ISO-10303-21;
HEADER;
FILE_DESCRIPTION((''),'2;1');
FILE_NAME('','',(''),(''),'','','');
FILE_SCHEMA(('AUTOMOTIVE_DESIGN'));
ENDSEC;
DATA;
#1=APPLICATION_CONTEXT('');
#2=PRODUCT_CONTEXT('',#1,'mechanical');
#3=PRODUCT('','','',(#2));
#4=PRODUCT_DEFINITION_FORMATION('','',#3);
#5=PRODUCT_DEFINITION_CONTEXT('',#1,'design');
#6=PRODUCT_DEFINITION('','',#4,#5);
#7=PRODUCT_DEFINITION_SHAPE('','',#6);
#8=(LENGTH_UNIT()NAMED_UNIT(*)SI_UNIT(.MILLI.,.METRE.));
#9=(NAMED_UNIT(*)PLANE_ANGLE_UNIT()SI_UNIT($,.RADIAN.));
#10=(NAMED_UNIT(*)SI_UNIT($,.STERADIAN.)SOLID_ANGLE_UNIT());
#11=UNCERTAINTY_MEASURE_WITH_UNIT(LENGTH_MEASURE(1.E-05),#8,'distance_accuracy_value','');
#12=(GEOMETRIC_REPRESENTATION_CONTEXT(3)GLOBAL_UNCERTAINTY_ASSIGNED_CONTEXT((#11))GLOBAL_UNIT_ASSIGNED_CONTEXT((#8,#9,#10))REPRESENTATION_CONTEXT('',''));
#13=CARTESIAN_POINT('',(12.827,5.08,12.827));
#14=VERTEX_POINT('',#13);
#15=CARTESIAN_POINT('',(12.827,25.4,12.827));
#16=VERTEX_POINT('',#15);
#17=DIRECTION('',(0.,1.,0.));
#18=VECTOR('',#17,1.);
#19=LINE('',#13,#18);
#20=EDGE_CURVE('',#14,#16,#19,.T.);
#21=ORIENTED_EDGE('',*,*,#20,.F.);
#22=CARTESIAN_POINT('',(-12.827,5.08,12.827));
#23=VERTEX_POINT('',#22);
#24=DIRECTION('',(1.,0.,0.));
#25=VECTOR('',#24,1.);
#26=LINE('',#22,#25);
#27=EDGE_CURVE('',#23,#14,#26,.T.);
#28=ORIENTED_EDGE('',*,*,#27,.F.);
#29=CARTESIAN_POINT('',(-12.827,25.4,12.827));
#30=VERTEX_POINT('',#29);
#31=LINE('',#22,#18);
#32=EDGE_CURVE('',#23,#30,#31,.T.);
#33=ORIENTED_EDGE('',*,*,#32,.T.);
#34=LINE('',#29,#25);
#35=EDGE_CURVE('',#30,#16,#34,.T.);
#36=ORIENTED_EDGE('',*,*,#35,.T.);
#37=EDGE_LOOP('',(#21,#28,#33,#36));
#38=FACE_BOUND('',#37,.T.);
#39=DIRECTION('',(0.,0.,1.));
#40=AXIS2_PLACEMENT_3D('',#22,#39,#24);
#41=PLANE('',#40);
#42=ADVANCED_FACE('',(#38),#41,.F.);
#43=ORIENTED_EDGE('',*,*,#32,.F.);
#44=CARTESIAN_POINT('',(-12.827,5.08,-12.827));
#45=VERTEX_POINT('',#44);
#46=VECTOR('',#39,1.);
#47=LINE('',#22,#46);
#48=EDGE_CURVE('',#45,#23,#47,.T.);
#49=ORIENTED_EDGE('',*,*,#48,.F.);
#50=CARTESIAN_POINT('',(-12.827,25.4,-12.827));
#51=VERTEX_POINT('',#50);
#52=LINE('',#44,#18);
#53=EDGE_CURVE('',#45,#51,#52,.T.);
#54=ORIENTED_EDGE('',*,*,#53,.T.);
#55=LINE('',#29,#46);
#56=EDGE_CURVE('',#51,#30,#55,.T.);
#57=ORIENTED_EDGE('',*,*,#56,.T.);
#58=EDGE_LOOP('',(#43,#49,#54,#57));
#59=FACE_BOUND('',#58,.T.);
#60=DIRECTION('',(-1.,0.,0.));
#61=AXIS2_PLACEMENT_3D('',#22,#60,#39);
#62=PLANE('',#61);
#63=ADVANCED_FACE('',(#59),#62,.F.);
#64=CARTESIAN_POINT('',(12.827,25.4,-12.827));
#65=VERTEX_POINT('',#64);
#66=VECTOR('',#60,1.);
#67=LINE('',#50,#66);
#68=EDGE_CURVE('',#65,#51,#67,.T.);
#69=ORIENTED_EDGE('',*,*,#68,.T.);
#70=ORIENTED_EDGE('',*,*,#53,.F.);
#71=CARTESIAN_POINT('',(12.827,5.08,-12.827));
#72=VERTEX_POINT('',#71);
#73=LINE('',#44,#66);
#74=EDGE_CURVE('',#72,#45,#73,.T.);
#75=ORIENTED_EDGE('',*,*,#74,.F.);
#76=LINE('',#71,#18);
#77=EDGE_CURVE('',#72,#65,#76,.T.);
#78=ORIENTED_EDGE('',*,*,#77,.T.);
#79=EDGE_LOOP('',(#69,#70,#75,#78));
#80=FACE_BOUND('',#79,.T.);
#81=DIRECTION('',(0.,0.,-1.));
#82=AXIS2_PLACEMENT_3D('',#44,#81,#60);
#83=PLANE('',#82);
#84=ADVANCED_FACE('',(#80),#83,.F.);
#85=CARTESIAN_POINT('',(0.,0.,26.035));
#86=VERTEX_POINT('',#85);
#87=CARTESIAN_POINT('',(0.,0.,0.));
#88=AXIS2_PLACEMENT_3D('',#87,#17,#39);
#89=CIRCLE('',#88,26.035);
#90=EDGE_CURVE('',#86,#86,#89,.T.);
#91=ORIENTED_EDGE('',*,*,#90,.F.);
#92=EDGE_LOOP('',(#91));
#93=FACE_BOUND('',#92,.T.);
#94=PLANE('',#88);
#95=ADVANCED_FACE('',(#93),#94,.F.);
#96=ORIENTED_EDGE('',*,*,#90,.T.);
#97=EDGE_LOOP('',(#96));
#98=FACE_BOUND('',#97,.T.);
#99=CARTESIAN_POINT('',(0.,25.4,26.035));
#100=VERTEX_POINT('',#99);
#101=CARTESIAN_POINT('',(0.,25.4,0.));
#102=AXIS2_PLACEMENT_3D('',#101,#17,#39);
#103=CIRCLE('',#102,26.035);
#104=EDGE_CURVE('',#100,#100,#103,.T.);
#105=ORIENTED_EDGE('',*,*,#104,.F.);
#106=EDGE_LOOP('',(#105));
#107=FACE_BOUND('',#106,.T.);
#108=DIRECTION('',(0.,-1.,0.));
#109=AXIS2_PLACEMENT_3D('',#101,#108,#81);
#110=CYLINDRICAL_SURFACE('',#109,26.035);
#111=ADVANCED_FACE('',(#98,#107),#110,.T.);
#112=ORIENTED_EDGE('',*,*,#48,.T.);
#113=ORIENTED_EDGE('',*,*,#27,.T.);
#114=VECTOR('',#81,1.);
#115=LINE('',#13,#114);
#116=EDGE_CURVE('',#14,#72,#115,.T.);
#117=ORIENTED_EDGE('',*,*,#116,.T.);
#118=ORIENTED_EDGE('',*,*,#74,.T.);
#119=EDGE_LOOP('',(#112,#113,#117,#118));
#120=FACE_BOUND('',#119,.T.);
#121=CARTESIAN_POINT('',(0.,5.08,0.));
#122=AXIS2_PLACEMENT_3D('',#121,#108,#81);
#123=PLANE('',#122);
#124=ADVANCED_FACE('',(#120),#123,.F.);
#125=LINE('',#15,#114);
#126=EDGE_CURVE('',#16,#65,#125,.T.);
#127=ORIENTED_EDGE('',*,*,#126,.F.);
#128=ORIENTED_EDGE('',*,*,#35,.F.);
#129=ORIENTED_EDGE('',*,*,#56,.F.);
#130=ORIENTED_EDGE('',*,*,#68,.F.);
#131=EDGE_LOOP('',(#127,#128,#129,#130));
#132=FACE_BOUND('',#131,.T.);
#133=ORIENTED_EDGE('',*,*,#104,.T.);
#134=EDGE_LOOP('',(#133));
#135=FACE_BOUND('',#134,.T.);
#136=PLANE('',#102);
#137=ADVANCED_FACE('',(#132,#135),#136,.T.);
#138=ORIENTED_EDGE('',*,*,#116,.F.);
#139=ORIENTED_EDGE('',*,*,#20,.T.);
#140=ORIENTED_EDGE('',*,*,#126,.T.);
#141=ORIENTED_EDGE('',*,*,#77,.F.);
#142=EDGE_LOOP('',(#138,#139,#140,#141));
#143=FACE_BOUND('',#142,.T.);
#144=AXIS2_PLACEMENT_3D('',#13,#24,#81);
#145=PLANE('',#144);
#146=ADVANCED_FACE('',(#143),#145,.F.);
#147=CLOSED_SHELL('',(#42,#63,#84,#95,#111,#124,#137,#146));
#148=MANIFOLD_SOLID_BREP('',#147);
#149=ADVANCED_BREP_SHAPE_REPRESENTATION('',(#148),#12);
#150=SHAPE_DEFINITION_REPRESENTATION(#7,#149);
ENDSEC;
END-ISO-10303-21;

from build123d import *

# Parameters (mm, degrees)
SKETCH1_R           = 26.035
BOSS_EXTRUDE1_DEPTH = 25.4
SKETCH2_W           = 25.654
SKETCH2_H           = 25.654
CUT_EXTRUDE1_DEPTH  = 20.32


with BuildPart() as part:
    # Sketch1 → Boss-Extrude1 (new body)
    with BuildSketch(Plane(origin=(0, 0, 0), x_dir=(1, 0, 0), z_dir=(0, 1, 0))):
        with Locations(Location((0, 0, 0), (0, 0, 270))):
            Circle(SKETCH1_R)
    extrude(amount=BOSS_EXTRUDE1_DEPTH)

    # Sketch2 → Cut-Extrude1 (cut)
    with BuildSketch(Plane(origin=(0, 25.4, 0), x_dir=(1, 0, 0), z_dir=(0, 1, 0))):
        Rectangle(SKETCH2_W, SKETCH2_H)
    extrude(amount=-CUT_EXTRUDE1_DEPTH, mode=Mode.SUBTRACT)


solid = part.part
